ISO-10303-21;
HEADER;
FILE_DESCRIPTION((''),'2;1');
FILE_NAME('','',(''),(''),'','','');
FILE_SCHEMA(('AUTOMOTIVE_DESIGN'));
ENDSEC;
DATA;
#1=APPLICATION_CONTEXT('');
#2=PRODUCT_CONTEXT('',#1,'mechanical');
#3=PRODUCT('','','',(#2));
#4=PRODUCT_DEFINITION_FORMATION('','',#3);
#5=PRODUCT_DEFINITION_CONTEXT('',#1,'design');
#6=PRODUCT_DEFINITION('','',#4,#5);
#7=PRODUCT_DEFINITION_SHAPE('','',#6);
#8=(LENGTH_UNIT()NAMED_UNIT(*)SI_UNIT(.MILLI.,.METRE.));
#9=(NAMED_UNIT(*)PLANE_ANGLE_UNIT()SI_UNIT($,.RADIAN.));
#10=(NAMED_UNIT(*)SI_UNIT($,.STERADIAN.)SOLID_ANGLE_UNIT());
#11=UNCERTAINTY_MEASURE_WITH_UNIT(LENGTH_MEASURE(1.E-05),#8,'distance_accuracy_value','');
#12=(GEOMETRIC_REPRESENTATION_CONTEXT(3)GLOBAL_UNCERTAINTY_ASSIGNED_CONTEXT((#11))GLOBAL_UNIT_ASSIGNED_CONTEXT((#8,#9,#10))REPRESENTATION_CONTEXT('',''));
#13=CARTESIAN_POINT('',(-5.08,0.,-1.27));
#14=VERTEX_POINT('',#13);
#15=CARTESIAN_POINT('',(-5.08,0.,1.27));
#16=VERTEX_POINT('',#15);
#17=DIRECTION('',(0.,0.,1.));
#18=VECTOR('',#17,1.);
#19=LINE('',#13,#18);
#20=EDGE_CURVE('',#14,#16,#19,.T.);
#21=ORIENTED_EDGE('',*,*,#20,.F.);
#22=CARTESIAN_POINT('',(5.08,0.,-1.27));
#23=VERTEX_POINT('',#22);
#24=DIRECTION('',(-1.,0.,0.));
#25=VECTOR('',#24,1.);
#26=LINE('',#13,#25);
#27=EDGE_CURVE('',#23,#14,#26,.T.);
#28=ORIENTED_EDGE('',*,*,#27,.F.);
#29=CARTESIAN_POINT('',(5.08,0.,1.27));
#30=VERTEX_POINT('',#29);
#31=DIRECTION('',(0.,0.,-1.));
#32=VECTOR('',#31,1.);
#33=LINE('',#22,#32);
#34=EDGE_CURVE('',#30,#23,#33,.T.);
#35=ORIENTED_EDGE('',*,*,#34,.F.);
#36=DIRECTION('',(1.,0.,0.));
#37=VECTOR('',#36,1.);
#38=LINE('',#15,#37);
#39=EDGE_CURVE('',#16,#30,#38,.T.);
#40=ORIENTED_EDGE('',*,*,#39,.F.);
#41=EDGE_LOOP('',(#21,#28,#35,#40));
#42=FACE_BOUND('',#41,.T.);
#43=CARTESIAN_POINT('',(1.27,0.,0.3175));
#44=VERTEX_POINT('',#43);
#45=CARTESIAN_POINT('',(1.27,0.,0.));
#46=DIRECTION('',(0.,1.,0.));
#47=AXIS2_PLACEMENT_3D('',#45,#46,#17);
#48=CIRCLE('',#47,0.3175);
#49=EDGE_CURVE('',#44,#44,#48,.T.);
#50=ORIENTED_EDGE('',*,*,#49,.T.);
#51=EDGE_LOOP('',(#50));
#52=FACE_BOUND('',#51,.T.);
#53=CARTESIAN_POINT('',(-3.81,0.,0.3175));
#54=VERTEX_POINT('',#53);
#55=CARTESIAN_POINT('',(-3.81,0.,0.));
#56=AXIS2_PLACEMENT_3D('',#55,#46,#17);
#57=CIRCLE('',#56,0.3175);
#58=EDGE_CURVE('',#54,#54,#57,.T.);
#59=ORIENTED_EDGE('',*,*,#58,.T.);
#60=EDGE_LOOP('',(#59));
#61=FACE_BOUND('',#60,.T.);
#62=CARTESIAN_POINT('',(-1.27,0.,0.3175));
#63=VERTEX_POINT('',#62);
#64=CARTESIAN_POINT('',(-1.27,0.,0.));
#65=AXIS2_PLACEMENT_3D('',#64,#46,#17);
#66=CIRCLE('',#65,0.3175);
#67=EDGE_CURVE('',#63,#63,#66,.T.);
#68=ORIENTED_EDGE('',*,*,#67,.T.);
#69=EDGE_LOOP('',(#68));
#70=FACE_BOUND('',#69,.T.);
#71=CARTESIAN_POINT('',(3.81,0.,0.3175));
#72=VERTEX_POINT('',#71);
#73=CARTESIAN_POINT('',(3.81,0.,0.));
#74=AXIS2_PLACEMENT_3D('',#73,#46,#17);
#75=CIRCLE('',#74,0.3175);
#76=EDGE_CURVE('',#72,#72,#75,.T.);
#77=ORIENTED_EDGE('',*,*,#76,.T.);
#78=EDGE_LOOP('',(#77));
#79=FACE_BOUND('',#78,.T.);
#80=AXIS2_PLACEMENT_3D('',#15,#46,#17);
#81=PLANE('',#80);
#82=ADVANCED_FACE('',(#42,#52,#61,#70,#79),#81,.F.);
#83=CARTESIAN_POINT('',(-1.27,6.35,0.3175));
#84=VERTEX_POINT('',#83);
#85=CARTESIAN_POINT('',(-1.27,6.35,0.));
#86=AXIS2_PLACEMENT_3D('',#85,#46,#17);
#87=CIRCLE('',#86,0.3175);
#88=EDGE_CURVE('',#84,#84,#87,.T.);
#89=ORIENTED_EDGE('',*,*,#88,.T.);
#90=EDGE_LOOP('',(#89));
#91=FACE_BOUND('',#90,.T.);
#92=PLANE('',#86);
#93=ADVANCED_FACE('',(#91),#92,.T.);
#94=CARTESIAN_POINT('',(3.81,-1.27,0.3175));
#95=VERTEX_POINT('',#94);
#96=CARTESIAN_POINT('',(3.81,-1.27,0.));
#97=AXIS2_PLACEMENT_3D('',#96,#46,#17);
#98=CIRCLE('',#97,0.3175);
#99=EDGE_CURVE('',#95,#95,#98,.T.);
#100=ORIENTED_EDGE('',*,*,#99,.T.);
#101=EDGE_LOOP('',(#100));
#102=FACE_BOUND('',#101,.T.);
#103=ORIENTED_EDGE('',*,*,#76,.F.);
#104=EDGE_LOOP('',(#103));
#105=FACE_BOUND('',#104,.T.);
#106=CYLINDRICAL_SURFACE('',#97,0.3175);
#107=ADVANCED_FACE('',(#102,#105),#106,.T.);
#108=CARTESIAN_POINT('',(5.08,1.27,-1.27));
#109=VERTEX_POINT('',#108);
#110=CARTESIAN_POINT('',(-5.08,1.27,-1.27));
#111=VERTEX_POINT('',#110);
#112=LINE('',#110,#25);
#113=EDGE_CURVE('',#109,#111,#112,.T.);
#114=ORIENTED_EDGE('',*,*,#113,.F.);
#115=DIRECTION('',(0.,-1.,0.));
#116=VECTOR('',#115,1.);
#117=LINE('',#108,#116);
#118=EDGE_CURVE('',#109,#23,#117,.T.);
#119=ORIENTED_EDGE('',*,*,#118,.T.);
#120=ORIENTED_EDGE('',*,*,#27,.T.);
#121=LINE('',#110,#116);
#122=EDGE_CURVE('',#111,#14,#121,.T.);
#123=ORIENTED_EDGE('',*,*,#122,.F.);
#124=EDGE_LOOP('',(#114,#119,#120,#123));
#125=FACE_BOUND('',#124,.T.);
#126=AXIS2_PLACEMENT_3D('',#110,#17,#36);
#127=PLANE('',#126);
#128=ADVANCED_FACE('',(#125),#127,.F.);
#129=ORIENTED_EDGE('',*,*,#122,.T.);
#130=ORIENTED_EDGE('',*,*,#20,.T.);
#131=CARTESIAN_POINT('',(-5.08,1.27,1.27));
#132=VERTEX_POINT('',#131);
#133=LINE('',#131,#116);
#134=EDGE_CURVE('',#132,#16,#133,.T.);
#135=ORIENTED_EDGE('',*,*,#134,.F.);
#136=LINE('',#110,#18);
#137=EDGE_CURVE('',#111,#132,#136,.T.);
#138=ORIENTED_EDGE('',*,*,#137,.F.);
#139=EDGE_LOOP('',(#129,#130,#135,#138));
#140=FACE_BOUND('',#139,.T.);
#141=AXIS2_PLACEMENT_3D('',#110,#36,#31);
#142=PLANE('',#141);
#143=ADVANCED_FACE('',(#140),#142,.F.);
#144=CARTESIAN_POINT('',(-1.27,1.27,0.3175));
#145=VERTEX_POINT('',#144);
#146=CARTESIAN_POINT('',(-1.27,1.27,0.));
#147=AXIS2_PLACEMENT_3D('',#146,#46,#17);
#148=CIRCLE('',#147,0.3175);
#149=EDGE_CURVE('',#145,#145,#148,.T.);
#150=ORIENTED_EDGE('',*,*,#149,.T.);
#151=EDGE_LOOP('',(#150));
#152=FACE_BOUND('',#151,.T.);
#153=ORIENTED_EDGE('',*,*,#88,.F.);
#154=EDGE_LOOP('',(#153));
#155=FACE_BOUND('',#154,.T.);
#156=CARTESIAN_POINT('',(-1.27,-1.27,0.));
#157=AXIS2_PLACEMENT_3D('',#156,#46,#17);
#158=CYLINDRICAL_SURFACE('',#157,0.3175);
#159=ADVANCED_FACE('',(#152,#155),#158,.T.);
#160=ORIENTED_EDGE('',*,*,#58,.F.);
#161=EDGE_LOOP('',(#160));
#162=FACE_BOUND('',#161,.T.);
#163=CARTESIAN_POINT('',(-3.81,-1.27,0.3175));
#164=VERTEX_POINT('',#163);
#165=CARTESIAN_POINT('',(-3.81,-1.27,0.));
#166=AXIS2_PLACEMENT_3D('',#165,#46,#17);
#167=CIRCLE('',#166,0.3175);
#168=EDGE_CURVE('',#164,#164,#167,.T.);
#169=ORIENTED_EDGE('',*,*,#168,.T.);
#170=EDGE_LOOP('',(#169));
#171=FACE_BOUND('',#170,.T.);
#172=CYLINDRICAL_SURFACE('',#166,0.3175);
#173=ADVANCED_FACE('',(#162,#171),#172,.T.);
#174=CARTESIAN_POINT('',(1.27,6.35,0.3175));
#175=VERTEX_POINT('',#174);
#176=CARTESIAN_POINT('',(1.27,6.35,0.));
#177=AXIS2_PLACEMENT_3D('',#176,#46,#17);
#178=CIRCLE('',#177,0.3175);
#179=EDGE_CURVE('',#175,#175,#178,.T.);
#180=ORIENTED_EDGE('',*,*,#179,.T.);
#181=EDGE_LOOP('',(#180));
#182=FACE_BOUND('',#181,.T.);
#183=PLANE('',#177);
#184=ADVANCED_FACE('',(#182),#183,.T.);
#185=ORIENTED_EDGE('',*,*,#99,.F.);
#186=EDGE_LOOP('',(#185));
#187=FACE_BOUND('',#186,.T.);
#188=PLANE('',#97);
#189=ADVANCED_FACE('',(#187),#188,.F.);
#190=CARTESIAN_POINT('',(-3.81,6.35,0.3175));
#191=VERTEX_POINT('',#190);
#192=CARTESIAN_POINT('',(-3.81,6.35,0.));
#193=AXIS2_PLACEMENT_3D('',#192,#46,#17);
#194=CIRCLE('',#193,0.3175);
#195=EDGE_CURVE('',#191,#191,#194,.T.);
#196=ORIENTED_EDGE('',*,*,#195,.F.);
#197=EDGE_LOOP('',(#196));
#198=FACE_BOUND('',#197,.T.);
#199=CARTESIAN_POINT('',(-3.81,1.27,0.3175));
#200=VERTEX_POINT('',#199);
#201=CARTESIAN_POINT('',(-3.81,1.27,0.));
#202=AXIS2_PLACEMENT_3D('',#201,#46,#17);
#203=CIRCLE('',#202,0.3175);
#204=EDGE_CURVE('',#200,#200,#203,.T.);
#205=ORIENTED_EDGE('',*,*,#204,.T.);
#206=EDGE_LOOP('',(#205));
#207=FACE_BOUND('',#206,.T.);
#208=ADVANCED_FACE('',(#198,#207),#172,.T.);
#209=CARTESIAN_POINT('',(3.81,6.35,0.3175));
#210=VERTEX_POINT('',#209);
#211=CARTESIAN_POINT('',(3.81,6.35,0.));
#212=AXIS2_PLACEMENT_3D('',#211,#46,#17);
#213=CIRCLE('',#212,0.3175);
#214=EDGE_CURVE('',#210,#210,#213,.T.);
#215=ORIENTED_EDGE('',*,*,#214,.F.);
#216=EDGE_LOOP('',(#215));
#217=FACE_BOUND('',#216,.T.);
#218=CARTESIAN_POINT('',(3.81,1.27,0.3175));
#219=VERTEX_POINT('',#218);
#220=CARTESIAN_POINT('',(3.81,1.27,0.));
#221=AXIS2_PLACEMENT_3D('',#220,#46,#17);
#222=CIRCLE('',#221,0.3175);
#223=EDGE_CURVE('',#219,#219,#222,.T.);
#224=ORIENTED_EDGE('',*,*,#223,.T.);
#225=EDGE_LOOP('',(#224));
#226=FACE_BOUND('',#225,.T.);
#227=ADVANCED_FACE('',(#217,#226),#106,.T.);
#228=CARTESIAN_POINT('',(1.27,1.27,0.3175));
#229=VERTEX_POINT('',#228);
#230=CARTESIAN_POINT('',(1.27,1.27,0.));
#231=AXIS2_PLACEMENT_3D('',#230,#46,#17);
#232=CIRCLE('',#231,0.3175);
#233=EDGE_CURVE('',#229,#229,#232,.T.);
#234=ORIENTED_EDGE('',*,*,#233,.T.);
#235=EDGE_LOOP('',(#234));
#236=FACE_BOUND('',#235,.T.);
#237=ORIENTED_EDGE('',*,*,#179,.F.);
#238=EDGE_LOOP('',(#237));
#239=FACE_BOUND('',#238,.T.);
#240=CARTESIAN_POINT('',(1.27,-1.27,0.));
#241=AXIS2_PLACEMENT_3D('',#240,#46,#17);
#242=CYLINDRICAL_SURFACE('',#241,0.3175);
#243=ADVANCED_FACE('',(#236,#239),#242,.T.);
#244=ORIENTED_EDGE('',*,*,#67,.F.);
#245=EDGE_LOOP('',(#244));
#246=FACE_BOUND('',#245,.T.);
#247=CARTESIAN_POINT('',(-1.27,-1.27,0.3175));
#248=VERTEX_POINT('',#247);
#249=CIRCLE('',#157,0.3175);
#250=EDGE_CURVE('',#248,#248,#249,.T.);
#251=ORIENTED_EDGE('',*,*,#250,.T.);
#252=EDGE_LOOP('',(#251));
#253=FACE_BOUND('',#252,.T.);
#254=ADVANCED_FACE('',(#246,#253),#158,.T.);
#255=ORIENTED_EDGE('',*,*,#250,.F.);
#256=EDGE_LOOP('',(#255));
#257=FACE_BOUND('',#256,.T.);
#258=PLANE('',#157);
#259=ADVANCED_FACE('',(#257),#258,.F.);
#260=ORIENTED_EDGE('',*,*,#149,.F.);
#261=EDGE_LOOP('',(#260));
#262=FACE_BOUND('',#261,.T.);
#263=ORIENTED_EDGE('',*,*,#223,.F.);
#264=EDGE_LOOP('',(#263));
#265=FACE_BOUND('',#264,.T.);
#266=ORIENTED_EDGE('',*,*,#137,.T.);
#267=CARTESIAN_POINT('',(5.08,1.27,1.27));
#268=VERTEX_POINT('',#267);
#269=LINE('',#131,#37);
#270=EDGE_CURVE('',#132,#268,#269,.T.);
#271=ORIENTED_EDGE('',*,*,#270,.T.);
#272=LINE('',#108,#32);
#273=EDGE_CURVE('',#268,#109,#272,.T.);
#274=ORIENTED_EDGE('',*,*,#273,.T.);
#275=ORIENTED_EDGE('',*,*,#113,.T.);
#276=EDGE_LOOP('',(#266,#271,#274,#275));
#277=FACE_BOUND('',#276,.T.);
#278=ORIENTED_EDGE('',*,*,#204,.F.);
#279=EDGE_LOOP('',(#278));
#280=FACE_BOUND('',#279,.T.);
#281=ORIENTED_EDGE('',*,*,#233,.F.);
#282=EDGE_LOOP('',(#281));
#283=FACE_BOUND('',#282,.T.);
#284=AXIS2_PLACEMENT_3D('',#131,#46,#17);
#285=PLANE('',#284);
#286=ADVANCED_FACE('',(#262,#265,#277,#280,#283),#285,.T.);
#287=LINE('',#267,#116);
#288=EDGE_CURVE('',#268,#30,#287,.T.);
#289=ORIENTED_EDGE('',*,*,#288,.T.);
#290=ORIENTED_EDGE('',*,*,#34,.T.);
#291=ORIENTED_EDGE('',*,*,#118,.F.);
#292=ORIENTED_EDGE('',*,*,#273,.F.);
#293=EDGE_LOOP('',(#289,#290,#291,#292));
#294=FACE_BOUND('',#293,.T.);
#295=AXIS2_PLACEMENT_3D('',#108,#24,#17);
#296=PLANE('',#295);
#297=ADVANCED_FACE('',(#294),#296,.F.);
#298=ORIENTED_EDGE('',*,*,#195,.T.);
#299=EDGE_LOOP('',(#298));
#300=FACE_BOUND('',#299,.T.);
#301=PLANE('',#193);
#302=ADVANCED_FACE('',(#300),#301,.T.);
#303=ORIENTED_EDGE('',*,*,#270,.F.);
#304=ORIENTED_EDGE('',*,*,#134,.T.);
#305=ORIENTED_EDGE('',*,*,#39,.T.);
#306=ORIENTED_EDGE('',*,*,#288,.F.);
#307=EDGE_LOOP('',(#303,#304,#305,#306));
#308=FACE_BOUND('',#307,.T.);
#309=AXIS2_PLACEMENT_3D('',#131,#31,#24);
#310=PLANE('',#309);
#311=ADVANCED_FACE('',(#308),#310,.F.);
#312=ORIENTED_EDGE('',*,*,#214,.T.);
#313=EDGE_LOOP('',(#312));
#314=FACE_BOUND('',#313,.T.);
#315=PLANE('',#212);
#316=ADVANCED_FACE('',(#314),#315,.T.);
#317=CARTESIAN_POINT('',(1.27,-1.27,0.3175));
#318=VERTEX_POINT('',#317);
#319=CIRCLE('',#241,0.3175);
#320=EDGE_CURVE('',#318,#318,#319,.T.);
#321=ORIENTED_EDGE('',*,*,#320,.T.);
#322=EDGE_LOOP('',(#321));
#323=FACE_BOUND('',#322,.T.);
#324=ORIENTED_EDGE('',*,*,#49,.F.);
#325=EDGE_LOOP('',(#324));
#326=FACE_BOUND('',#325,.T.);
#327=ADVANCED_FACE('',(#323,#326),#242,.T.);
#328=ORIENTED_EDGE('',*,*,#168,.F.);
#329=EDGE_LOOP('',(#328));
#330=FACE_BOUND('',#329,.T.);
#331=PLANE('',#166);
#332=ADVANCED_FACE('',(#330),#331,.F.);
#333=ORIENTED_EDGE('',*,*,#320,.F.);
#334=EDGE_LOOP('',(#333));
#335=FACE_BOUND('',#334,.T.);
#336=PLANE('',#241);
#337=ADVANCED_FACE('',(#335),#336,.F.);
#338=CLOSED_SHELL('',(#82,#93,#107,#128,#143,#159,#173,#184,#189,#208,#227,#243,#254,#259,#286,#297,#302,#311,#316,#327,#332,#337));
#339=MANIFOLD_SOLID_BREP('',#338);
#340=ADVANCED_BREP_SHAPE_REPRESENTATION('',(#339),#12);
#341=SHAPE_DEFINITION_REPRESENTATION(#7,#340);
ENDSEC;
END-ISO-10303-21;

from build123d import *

# Parameters (mm, degrees)
SKETCH1_W           = 10.16
SKETCH1_H           = 2.54
EXTRUDE1_DEPTH      = 1.27
SKETCH2_R           = 0.3175
EXTRUDE2_DEPTH      = 5.08
EXTRUDE2_DEPTH_BACK = 2.54


with BuildPart() as part:
    # Sketch1 → Extrude1 (new body)
    with BuildSketch(Plane(origin=(0, 0, 0), x_dir=(1, 0, 0), z_dir=(0, 1, 0))):
        Rectangle(SKETCH1_W, SKETCH1_H)
    extrude(amount=EXTRUDE1_DEPTH)

    # Sketch2 → Extrude2 (add, two sides)
    with BuildSketch(Plane(origin=(0, 1.27, 0), x_dir=(1, 0, 0), z_dir=(0, 1, 0))) as extrude2_sk:
        with Locations(Location((-1.27, 0, 0), (0, 0, 270))):  # turned: the seam where the file's is
            Circle(SKETCH2_R)
        with Locations(Location((-3.81, 0, 0), (0, 0, 270))):  # turned: the seam where the file's is
            Circle(SKETCH2_R)
        with Locations(Location((1.27, 0, 0), (0, 0, 270))):  # turned: the seam where the file's is
            Circle(SKETCH2_R)
        with Locations(Location((3.81, 0, 0), (0, 0, 270))):  # turned: the seam where the file's is
            Circle(SKETCH2_R)
    extrude(amount=EXTRUDE2_DEPTH)
    extrude(extrude2_sk.sketch, amount=-EXTRUDE2_DEPTH_BACK)


solid = part.part
